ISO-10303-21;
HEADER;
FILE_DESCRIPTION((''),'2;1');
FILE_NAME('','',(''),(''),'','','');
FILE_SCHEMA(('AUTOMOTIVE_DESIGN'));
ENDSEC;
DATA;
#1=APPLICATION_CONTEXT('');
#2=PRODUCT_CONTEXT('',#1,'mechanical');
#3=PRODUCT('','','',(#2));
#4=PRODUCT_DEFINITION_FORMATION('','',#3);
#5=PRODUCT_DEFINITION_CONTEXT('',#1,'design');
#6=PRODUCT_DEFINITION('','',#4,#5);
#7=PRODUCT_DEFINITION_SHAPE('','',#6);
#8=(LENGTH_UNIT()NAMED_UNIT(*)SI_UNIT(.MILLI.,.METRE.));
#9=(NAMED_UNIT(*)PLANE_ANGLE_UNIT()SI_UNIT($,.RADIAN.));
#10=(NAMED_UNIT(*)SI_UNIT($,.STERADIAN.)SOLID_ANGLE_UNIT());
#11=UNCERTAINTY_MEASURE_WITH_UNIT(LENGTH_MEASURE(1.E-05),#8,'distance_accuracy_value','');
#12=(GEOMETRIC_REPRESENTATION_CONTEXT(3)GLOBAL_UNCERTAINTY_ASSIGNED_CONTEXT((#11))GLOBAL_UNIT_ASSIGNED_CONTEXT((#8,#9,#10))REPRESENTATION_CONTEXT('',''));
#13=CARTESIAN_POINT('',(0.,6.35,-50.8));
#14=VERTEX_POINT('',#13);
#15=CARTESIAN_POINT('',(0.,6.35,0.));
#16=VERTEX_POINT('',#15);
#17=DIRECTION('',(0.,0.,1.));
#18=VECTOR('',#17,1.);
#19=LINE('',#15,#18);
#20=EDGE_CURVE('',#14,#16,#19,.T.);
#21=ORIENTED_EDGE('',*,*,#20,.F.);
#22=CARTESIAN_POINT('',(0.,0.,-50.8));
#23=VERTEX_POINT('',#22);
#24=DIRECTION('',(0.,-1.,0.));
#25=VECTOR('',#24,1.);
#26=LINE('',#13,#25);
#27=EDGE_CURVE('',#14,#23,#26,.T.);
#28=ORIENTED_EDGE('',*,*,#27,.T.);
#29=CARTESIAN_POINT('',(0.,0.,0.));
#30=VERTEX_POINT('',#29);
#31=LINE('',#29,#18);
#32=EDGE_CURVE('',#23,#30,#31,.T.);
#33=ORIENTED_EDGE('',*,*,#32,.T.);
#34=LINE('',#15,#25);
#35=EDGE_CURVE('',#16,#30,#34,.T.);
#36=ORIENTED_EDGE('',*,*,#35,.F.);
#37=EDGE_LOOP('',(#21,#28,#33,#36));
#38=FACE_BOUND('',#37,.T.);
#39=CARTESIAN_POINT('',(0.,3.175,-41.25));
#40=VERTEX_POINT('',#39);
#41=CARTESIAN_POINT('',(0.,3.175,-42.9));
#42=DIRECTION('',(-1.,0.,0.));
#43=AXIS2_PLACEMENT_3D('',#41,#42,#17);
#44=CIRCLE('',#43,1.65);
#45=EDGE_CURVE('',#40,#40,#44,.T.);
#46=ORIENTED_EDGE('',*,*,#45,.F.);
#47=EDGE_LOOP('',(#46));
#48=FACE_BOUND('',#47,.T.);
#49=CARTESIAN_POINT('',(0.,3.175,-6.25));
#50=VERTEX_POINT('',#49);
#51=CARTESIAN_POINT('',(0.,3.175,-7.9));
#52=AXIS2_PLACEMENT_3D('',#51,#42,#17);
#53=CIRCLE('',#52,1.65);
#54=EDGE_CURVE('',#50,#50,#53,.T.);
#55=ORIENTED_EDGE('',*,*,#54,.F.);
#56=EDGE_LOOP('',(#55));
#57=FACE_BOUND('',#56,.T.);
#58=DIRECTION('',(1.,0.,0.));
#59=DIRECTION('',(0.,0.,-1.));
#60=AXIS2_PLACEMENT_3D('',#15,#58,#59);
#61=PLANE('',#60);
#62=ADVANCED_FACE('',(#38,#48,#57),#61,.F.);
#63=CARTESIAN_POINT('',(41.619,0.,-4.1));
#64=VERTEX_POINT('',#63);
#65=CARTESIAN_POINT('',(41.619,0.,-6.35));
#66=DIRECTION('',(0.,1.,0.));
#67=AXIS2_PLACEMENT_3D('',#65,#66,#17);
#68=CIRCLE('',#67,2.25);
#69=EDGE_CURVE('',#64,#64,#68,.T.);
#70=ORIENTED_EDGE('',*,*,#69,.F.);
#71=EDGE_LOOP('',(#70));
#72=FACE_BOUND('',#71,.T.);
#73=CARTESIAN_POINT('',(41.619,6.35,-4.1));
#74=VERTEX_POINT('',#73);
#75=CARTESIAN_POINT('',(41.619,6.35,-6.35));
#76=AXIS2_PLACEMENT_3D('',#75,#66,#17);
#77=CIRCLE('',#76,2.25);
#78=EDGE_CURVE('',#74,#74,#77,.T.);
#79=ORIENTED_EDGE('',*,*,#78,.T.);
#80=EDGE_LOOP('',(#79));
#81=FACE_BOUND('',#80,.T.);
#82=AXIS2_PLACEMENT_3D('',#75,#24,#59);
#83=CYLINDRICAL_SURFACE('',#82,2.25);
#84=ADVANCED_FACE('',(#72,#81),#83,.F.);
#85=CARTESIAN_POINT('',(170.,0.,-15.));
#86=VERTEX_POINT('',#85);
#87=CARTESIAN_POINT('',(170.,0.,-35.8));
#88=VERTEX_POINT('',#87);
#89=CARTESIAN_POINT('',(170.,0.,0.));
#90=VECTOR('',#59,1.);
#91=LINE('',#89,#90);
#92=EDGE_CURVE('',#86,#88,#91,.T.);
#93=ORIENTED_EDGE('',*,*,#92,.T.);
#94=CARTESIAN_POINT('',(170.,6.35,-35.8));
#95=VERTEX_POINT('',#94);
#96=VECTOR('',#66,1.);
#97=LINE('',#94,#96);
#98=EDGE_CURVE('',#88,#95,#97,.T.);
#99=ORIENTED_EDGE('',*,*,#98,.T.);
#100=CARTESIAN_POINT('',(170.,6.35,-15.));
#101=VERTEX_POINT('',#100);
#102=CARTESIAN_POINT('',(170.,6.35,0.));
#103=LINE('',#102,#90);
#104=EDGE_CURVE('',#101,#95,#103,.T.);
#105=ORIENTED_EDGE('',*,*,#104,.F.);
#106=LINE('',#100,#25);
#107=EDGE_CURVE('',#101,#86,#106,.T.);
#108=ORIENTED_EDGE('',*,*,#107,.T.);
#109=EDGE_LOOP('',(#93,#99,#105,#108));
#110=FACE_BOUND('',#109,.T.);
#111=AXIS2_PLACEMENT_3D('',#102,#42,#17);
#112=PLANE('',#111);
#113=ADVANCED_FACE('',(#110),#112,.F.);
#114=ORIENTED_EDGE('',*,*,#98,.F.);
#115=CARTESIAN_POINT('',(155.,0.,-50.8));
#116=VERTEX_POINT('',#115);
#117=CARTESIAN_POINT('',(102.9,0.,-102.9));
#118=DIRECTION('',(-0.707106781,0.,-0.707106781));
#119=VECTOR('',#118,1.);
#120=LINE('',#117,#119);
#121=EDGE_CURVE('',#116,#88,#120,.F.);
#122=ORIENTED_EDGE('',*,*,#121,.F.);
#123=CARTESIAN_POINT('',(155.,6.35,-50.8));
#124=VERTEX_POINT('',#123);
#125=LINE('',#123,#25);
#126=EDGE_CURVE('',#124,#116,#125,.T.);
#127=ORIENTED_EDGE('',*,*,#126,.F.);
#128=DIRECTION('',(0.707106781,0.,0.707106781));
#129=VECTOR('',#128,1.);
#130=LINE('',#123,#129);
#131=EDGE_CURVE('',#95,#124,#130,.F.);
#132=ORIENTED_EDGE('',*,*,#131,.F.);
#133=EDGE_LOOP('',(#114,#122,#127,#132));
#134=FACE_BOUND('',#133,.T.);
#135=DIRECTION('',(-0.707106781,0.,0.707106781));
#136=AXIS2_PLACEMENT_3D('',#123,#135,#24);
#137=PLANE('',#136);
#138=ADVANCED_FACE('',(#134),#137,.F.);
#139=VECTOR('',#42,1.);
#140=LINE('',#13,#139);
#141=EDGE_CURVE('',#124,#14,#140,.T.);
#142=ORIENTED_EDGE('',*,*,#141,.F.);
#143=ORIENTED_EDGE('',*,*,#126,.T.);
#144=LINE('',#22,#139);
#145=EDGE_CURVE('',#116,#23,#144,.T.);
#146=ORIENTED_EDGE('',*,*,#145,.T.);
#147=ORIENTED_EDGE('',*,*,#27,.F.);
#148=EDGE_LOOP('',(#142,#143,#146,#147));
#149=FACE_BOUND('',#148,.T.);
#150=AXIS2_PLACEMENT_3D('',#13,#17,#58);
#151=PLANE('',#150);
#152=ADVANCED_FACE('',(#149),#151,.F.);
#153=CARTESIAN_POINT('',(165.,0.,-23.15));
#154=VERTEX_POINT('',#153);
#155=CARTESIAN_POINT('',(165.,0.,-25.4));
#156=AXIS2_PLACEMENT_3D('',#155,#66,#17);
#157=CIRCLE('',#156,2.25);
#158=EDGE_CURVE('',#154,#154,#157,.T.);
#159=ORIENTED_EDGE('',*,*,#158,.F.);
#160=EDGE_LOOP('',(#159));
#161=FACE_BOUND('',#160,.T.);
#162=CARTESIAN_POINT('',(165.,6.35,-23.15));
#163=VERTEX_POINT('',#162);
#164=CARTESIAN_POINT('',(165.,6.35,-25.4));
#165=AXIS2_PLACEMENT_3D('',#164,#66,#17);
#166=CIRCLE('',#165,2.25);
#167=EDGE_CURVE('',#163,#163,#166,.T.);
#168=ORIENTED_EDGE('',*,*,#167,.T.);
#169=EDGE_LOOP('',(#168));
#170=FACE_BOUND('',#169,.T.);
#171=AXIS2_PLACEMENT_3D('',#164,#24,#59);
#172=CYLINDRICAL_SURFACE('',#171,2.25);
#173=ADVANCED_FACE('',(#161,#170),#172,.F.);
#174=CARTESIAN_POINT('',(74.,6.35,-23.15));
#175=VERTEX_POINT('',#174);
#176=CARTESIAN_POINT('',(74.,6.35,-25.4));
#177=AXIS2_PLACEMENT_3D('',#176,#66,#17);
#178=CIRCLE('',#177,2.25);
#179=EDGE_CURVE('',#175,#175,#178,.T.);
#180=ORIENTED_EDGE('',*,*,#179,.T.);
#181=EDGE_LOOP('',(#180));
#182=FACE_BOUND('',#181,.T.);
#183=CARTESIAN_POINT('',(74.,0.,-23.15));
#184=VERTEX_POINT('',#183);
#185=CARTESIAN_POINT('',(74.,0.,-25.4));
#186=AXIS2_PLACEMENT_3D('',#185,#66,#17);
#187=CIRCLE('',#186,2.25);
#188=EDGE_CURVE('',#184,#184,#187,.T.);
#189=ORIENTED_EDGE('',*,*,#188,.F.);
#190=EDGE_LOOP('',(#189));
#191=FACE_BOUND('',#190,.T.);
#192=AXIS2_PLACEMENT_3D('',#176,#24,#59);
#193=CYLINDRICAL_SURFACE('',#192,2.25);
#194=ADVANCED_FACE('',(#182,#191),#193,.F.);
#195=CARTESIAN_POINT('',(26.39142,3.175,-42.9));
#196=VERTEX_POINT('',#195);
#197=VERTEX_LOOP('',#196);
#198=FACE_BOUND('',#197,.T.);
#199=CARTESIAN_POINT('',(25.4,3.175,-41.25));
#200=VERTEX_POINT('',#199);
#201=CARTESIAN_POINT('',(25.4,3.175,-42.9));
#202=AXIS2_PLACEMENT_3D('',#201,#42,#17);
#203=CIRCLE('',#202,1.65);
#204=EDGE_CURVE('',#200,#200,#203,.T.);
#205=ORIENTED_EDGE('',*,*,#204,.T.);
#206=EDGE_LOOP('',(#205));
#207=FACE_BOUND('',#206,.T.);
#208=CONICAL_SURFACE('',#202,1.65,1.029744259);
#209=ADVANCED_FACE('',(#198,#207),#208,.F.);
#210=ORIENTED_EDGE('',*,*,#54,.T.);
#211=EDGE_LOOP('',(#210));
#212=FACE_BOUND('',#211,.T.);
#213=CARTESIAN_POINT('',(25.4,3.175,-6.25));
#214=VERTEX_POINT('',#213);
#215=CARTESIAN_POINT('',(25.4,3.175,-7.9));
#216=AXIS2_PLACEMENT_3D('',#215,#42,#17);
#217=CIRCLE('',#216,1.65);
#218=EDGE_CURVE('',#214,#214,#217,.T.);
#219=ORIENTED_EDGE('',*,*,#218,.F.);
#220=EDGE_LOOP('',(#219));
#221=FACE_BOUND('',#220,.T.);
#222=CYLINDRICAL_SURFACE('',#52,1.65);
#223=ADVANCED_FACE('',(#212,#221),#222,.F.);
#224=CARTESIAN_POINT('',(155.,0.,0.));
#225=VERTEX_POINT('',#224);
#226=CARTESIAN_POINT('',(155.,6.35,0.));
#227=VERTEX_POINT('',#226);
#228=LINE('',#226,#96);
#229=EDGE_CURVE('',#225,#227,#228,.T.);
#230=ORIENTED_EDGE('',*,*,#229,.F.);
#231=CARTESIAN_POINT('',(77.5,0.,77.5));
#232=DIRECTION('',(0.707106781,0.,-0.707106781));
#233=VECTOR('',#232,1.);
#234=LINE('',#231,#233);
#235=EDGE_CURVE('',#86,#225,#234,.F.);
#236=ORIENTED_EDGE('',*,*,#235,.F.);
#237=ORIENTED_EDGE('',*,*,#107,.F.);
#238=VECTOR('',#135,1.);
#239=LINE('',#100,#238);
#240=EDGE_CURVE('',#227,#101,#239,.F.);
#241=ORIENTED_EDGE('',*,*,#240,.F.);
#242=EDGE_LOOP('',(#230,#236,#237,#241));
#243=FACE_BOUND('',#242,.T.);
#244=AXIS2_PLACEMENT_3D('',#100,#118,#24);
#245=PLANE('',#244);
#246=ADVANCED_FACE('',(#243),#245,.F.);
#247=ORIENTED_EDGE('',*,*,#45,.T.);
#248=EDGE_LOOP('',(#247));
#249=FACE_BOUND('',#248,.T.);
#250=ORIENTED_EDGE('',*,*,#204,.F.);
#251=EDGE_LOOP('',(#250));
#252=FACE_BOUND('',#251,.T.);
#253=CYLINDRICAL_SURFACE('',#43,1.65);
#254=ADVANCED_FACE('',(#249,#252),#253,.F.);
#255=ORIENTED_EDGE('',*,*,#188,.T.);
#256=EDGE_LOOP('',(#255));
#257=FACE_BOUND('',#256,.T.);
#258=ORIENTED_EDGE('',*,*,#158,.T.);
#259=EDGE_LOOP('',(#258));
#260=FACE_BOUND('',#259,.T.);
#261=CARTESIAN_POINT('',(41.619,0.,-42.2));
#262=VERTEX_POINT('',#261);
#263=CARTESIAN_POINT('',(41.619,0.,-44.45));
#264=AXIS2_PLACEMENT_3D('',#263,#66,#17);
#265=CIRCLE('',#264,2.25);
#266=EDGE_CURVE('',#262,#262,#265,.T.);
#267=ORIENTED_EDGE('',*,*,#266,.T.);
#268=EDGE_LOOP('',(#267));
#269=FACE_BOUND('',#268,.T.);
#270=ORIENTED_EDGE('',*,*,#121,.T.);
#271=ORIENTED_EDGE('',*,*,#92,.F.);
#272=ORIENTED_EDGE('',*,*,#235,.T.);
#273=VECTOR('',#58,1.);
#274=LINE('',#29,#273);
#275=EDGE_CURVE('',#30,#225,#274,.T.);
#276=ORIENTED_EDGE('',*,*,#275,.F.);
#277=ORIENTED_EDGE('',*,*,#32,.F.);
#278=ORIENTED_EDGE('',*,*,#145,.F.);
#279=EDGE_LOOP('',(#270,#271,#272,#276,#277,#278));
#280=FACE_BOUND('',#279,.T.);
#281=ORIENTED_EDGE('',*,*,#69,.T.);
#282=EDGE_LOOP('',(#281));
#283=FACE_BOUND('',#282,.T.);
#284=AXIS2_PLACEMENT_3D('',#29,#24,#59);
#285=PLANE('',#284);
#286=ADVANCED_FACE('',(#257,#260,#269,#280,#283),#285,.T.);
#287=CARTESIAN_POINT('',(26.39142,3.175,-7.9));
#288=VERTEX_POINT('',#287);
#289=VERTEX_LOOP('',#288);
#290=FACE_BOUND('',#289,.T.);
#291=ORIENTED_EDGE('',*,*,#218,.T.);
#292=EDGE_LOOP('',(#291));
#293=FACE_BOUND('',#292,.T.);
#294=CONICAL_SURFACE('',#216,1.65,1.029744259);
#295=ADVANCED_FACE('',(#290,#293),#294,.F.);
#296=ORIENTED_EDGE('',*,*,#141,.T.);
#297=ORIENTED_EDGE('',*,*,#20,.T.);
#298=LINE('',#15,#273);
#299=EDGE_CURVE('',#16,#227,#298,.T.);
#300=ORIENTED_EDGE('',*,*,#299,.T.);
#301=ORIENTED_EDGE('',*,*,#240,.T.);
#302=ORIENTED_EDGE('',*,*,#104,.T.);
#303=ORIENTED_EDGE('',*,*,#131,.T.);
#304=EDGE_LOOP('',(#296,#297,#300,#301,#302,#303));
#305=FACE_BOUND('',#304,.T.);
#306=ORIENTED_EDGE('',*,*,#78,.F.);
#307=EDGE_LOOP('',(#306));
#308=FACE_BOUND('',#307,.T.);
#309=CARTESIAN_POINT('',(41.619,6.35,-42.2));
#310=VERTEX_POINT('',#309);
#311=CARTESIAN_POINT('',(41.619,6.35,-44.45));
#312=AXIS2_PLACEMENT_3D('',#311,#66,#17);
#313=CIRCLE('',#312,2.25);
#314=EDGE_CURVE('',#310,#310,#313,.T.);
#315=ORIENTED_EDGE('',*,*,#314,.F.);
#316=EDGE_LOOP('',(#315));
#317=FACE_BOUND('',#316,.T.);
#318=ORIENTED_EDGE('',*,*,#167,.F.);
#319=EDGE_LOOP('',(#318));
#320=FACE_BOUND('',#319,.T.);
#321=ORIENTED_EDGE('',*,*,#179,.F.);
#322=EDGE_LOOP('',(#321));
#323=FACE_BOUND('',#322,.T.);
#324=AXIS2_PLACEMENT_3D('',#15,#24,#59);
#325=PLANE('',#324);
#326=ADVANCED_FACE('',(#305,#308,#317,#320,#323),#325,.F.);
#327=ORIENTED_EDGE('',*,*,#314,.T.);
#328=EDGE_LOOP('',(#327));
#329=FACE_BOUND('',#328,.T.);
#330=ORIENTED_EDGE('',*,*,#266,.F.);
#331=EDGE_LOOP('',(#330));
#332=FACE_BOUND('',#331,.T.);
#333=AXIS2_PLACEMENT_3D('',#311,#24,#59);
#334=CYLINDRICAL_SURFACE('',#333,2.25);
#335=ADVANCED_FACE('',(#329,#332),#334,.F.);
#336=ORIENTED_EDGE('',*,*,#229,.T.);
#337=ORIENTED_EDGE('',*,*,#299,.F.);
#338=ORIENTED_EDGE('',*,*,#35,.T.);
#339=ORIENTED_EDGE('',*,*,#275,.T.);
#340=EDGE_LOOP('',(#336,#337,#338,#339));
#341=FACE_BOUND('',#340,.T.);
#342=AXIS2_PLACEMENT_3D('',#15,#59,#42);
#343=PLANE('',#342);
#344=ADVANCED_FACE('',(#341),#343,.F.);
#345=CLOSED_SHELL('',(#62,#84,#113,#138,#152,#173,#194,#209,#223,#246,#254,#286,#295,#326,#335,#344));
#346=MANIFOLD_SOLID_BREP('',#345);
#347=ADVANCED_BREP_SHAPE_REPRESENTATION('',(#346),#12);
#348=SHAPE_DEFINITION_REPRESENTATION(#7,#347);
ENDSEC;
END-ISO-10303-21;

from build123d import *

# Parameters (mm, degrees)
SKETCH1_W                 = 170
SKETCH1_H                 = 50.8
SKETCH1_R                 = 2.25
BOSS_EXTRUDE1_DEPTH       = 6.35
CHAMFER1_SIZE             = 15
M4X0_7_TAPPED_HOLE1_D     = 3.3
M4X0_7_TAPPED_HOLE1_DEPTH = 25.4
M4X0_7_TAPPED_HOLE1_TIP   = 0.991420021


with BuildPart() as part:
    # Sketch1 → Boss-Extrude1 (new body)
    with BuildSketch(Plane(origin=(0, 0, 0), x_dir=(1, 0, 0), z_dir=(0, 1, 0))):
        with Locations((85, 25.4)):
            Rectangle(SKETCH1_W, SKETCH1_H)
        with Locations(Location((165, 25.4, 0), (0, 0, 270))):
            Circle(SKETCH1_R, mode=Mode.SUBTRACT)
        with Locations(Location((73.999999882, 25.4, 0), (0, 0, 270))):
            Circle(SKETCH1_R, mode=Mode.SUBTRACT)
        with Locations(Location((41.619, 44.45, 0), (0, 0, 270))):
            Circle(SKETCH1_R, mode=Mode.SUBTRACT)
        with Locations(Location((41.619, 6.35, 0), (0, 0, 270))):
            Circle(SKETCH1_R, mode=Mode.SUBTRACT)
    extrude(amount=BOSS_EXTRUDE1_DEPTH)

    # Chamfer1
    chamfer1_edges = [part.edges().sort_by_distance(p)[0] for p in [
        (170, 3.175, -50.8),
        (170, 3.175, 0),
    ]]
    chamfer(chamfer1_edges, length=CHAMFER1_SIZE)

    # M4x0.7 Tapped Hole1
    with Locations(Plane.ZY):
        with Locations((-42.9, 3.175), (-7.9, 3.175)):
            Hole(M4X0_7_TAPPED_HOLE1_D / 2, depth=M4X0_7_TAPPED_HOLE1_DEPTH)
            with Locations((0, 0, -(M4X0_7_TAPPED_HOLE1_DEPTH + M4X0_7_TAPPED_HOLE1_TIP / 2))):  # 118° drill point
                Cone(0, M4X0_7_TAPPED_HOLE1_D / 2, M4X0_7_TAPPED_HOLE1_TIP, mode=Mode.SUBTRACT)


solid = part.part
